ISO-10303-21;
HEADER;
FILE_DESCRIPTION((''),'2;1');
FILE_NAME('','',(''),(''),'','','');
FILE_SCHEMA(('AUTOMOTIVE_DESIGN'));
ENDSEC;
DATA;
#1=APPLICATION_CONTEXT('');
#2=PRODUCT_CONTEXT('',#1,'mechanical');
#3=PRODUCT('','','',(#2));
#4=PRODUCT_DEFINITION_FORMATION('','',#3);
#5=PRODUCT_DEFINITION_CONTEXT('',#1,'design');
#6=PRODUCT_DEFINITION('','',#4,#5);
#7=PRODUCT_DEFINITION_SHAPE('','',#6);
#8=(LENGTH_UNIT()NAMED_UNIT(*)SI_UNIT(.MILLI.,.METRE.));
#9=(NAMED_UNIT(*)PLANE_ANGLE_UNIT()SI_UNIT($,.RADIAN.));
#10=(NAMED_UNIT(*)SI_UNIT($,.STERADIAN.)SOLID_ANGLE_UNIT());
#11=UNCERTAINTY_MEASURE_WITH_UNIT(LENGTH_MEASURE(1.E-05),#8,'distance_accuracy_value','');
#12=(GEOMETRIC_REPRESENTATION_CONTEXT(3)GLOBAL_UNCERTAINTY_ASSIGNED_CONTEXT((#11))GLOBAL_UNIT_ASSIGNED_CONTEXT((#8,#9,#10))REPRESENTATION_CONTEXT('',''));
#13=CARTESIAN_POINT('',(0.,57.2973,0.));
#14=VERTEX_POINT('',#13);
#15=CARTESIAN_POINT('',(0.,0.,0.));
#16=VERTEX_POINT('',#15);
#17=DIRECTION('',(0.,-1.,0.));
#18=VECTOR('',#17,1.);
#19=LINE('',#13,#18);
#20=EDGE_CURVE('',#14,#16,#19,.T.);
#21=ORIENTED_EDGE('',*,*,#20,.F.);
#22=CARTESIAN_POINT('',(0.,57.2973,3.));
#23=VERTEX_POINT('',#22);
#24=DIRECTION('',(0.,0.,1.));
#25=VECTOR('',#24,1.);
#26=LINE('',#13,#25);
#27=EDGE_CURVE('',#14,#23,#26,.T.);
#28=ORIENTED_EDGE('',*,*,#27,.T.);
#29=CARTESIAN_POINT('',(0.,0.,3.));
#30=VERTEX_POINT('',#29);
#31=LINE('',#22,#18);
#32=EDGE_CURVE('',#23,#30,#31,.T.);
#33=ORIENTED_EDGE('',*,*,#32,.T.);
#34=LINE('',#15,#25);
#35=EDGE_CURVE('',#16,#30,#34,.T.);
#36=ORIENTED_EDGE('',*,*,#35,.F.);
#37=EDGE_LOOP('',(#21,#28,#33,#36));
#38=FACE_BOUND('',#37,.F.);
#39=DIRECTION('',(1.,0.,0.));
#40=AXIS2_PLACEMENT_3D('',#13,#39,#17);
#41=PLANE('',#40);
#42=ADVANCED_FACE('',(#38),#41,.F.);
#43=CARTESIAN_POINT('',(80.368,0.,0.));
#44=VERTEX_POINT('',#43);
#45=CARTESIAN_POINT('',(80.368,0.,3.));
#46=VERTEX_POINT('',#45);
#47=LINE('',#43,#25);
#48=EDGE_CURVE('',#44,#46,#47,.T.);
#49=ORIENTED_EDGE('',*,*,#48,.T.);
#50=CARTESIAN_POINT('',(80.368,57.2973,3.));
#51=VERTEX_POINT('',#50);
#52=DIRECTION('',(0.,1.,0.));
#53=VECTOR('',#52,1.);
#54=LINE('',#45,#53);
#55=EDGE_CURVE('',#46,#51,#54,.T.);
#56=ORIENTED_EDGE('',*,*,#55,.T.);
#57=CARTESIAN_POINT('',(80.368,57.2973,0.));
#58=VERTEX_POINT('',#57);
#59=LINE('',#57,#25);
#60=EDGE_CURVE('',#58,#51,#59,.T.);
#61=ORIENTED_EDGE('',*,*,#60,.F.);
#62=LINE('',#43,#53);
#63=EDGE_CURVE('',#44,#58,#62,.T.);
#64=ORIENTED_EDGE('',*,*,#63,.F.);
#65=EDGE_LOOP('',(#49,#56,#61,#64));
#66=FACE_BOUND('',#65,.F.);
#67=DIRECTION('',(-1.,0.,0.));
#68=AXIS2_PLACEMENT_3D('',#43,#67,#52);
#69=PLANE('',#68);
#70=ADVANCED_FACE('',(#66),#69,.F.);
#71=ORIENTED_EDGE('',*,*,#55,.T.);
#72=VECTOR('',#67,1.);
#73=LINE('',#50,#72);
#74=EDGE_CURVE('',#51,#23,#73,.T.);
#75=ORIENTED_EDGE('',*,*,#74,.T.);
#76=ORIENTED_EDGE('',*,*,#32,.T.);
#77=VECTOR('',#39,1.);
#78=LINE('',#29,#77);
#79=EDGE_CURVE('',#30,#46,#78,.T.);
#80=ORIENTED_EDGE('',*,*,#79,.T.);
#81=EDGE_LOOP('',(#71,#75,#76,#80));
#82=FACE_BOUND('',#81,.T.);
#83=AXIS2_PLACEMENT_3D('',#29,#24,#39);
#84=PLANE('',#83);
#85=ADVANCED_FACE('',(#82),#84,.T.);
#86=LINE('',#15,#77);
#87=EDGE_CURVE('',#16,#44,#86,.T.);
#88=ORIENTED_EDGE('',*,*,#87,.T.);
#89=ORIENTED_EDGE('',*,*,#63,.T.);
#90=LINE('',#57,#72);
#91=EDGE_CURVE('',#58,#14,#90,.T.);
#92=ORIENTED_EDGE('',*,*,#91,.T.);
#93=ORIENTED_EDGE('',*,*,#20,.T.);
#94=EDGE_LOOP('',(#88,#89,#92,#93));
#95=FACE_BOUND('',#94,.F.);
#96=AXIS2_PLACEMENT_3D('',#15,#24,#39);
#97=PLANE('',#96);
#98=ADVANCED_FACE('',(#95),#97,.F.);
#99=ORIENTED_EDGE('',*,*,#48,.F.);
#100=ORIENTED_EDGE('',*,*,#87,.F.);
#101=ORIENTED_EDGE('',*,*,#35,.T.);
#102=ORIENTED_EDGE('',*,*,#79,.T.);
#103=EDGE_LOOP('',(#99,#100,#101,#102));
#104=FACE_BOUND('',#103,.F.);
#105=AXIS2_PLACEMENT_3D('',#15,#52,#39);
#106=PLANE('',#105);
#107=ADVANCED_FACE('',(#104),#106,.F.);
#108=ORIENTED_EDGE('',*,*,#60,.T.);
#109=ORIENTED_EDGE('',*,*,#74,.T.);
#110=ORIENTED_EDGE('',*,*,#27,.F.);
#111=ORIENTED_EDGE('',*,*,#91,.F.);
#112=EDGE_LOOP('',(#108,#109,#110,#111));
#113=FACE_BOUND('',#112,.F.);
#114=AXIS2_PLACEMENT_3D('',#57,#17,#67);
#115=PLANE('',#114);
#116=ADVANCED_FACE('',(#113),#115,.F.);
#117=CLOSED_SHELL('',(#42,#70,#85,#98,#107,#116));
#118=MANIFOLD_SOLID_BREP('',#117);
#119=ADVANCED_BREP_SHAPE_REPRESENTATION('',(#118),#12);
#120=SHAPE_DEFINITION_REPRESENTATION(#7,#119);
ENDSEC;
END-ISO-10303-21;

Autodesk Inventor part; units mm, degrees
ref_plane "YZ Plane" through (0, 0, 0) normal (1, 0, 0) x (0, 1, 0)
ref_plane "XZ Plane" through (0, 0, 0) normal (0, 1, 0) x (-1, 0, 0)
ref_plane "XY Plane" through (0, 0, 0) normal (0, 0, 1) x (1, 0, 0)
sketch "Эскиз3" plane through (0, 0, 0) normal (0, 0, 1) x (1, 0, 0)
  line L0 (0, 0) -> (80.368, 0)
  line L1 (80.368, 0) -> (80.368, 57.2973)
  line L2 (80.368, 57.2973) -> (0, 57.2973)
  line L3 (0, 57.2973) -> (0, 0)
extrude "Выдавливание3" add sketch "Эскиз3" along normal blind 3
equation "\"d6\" = thickness_steel"
equation "\"tolerance_plazma\" = 0.1"
equation "\"thickness_steel\" = 3"
equation "\"d_main_screw_holes\" = 5"
equation "\"thickness_profile_tibea\" = 4"
equation "\"thickness_profile_femur\" = 3"
equation "\"width_shaft_shift\" = 35"
equation "\"width_flattened_surface\" = 15"
properties part number "steel_template" material "Сталь"
